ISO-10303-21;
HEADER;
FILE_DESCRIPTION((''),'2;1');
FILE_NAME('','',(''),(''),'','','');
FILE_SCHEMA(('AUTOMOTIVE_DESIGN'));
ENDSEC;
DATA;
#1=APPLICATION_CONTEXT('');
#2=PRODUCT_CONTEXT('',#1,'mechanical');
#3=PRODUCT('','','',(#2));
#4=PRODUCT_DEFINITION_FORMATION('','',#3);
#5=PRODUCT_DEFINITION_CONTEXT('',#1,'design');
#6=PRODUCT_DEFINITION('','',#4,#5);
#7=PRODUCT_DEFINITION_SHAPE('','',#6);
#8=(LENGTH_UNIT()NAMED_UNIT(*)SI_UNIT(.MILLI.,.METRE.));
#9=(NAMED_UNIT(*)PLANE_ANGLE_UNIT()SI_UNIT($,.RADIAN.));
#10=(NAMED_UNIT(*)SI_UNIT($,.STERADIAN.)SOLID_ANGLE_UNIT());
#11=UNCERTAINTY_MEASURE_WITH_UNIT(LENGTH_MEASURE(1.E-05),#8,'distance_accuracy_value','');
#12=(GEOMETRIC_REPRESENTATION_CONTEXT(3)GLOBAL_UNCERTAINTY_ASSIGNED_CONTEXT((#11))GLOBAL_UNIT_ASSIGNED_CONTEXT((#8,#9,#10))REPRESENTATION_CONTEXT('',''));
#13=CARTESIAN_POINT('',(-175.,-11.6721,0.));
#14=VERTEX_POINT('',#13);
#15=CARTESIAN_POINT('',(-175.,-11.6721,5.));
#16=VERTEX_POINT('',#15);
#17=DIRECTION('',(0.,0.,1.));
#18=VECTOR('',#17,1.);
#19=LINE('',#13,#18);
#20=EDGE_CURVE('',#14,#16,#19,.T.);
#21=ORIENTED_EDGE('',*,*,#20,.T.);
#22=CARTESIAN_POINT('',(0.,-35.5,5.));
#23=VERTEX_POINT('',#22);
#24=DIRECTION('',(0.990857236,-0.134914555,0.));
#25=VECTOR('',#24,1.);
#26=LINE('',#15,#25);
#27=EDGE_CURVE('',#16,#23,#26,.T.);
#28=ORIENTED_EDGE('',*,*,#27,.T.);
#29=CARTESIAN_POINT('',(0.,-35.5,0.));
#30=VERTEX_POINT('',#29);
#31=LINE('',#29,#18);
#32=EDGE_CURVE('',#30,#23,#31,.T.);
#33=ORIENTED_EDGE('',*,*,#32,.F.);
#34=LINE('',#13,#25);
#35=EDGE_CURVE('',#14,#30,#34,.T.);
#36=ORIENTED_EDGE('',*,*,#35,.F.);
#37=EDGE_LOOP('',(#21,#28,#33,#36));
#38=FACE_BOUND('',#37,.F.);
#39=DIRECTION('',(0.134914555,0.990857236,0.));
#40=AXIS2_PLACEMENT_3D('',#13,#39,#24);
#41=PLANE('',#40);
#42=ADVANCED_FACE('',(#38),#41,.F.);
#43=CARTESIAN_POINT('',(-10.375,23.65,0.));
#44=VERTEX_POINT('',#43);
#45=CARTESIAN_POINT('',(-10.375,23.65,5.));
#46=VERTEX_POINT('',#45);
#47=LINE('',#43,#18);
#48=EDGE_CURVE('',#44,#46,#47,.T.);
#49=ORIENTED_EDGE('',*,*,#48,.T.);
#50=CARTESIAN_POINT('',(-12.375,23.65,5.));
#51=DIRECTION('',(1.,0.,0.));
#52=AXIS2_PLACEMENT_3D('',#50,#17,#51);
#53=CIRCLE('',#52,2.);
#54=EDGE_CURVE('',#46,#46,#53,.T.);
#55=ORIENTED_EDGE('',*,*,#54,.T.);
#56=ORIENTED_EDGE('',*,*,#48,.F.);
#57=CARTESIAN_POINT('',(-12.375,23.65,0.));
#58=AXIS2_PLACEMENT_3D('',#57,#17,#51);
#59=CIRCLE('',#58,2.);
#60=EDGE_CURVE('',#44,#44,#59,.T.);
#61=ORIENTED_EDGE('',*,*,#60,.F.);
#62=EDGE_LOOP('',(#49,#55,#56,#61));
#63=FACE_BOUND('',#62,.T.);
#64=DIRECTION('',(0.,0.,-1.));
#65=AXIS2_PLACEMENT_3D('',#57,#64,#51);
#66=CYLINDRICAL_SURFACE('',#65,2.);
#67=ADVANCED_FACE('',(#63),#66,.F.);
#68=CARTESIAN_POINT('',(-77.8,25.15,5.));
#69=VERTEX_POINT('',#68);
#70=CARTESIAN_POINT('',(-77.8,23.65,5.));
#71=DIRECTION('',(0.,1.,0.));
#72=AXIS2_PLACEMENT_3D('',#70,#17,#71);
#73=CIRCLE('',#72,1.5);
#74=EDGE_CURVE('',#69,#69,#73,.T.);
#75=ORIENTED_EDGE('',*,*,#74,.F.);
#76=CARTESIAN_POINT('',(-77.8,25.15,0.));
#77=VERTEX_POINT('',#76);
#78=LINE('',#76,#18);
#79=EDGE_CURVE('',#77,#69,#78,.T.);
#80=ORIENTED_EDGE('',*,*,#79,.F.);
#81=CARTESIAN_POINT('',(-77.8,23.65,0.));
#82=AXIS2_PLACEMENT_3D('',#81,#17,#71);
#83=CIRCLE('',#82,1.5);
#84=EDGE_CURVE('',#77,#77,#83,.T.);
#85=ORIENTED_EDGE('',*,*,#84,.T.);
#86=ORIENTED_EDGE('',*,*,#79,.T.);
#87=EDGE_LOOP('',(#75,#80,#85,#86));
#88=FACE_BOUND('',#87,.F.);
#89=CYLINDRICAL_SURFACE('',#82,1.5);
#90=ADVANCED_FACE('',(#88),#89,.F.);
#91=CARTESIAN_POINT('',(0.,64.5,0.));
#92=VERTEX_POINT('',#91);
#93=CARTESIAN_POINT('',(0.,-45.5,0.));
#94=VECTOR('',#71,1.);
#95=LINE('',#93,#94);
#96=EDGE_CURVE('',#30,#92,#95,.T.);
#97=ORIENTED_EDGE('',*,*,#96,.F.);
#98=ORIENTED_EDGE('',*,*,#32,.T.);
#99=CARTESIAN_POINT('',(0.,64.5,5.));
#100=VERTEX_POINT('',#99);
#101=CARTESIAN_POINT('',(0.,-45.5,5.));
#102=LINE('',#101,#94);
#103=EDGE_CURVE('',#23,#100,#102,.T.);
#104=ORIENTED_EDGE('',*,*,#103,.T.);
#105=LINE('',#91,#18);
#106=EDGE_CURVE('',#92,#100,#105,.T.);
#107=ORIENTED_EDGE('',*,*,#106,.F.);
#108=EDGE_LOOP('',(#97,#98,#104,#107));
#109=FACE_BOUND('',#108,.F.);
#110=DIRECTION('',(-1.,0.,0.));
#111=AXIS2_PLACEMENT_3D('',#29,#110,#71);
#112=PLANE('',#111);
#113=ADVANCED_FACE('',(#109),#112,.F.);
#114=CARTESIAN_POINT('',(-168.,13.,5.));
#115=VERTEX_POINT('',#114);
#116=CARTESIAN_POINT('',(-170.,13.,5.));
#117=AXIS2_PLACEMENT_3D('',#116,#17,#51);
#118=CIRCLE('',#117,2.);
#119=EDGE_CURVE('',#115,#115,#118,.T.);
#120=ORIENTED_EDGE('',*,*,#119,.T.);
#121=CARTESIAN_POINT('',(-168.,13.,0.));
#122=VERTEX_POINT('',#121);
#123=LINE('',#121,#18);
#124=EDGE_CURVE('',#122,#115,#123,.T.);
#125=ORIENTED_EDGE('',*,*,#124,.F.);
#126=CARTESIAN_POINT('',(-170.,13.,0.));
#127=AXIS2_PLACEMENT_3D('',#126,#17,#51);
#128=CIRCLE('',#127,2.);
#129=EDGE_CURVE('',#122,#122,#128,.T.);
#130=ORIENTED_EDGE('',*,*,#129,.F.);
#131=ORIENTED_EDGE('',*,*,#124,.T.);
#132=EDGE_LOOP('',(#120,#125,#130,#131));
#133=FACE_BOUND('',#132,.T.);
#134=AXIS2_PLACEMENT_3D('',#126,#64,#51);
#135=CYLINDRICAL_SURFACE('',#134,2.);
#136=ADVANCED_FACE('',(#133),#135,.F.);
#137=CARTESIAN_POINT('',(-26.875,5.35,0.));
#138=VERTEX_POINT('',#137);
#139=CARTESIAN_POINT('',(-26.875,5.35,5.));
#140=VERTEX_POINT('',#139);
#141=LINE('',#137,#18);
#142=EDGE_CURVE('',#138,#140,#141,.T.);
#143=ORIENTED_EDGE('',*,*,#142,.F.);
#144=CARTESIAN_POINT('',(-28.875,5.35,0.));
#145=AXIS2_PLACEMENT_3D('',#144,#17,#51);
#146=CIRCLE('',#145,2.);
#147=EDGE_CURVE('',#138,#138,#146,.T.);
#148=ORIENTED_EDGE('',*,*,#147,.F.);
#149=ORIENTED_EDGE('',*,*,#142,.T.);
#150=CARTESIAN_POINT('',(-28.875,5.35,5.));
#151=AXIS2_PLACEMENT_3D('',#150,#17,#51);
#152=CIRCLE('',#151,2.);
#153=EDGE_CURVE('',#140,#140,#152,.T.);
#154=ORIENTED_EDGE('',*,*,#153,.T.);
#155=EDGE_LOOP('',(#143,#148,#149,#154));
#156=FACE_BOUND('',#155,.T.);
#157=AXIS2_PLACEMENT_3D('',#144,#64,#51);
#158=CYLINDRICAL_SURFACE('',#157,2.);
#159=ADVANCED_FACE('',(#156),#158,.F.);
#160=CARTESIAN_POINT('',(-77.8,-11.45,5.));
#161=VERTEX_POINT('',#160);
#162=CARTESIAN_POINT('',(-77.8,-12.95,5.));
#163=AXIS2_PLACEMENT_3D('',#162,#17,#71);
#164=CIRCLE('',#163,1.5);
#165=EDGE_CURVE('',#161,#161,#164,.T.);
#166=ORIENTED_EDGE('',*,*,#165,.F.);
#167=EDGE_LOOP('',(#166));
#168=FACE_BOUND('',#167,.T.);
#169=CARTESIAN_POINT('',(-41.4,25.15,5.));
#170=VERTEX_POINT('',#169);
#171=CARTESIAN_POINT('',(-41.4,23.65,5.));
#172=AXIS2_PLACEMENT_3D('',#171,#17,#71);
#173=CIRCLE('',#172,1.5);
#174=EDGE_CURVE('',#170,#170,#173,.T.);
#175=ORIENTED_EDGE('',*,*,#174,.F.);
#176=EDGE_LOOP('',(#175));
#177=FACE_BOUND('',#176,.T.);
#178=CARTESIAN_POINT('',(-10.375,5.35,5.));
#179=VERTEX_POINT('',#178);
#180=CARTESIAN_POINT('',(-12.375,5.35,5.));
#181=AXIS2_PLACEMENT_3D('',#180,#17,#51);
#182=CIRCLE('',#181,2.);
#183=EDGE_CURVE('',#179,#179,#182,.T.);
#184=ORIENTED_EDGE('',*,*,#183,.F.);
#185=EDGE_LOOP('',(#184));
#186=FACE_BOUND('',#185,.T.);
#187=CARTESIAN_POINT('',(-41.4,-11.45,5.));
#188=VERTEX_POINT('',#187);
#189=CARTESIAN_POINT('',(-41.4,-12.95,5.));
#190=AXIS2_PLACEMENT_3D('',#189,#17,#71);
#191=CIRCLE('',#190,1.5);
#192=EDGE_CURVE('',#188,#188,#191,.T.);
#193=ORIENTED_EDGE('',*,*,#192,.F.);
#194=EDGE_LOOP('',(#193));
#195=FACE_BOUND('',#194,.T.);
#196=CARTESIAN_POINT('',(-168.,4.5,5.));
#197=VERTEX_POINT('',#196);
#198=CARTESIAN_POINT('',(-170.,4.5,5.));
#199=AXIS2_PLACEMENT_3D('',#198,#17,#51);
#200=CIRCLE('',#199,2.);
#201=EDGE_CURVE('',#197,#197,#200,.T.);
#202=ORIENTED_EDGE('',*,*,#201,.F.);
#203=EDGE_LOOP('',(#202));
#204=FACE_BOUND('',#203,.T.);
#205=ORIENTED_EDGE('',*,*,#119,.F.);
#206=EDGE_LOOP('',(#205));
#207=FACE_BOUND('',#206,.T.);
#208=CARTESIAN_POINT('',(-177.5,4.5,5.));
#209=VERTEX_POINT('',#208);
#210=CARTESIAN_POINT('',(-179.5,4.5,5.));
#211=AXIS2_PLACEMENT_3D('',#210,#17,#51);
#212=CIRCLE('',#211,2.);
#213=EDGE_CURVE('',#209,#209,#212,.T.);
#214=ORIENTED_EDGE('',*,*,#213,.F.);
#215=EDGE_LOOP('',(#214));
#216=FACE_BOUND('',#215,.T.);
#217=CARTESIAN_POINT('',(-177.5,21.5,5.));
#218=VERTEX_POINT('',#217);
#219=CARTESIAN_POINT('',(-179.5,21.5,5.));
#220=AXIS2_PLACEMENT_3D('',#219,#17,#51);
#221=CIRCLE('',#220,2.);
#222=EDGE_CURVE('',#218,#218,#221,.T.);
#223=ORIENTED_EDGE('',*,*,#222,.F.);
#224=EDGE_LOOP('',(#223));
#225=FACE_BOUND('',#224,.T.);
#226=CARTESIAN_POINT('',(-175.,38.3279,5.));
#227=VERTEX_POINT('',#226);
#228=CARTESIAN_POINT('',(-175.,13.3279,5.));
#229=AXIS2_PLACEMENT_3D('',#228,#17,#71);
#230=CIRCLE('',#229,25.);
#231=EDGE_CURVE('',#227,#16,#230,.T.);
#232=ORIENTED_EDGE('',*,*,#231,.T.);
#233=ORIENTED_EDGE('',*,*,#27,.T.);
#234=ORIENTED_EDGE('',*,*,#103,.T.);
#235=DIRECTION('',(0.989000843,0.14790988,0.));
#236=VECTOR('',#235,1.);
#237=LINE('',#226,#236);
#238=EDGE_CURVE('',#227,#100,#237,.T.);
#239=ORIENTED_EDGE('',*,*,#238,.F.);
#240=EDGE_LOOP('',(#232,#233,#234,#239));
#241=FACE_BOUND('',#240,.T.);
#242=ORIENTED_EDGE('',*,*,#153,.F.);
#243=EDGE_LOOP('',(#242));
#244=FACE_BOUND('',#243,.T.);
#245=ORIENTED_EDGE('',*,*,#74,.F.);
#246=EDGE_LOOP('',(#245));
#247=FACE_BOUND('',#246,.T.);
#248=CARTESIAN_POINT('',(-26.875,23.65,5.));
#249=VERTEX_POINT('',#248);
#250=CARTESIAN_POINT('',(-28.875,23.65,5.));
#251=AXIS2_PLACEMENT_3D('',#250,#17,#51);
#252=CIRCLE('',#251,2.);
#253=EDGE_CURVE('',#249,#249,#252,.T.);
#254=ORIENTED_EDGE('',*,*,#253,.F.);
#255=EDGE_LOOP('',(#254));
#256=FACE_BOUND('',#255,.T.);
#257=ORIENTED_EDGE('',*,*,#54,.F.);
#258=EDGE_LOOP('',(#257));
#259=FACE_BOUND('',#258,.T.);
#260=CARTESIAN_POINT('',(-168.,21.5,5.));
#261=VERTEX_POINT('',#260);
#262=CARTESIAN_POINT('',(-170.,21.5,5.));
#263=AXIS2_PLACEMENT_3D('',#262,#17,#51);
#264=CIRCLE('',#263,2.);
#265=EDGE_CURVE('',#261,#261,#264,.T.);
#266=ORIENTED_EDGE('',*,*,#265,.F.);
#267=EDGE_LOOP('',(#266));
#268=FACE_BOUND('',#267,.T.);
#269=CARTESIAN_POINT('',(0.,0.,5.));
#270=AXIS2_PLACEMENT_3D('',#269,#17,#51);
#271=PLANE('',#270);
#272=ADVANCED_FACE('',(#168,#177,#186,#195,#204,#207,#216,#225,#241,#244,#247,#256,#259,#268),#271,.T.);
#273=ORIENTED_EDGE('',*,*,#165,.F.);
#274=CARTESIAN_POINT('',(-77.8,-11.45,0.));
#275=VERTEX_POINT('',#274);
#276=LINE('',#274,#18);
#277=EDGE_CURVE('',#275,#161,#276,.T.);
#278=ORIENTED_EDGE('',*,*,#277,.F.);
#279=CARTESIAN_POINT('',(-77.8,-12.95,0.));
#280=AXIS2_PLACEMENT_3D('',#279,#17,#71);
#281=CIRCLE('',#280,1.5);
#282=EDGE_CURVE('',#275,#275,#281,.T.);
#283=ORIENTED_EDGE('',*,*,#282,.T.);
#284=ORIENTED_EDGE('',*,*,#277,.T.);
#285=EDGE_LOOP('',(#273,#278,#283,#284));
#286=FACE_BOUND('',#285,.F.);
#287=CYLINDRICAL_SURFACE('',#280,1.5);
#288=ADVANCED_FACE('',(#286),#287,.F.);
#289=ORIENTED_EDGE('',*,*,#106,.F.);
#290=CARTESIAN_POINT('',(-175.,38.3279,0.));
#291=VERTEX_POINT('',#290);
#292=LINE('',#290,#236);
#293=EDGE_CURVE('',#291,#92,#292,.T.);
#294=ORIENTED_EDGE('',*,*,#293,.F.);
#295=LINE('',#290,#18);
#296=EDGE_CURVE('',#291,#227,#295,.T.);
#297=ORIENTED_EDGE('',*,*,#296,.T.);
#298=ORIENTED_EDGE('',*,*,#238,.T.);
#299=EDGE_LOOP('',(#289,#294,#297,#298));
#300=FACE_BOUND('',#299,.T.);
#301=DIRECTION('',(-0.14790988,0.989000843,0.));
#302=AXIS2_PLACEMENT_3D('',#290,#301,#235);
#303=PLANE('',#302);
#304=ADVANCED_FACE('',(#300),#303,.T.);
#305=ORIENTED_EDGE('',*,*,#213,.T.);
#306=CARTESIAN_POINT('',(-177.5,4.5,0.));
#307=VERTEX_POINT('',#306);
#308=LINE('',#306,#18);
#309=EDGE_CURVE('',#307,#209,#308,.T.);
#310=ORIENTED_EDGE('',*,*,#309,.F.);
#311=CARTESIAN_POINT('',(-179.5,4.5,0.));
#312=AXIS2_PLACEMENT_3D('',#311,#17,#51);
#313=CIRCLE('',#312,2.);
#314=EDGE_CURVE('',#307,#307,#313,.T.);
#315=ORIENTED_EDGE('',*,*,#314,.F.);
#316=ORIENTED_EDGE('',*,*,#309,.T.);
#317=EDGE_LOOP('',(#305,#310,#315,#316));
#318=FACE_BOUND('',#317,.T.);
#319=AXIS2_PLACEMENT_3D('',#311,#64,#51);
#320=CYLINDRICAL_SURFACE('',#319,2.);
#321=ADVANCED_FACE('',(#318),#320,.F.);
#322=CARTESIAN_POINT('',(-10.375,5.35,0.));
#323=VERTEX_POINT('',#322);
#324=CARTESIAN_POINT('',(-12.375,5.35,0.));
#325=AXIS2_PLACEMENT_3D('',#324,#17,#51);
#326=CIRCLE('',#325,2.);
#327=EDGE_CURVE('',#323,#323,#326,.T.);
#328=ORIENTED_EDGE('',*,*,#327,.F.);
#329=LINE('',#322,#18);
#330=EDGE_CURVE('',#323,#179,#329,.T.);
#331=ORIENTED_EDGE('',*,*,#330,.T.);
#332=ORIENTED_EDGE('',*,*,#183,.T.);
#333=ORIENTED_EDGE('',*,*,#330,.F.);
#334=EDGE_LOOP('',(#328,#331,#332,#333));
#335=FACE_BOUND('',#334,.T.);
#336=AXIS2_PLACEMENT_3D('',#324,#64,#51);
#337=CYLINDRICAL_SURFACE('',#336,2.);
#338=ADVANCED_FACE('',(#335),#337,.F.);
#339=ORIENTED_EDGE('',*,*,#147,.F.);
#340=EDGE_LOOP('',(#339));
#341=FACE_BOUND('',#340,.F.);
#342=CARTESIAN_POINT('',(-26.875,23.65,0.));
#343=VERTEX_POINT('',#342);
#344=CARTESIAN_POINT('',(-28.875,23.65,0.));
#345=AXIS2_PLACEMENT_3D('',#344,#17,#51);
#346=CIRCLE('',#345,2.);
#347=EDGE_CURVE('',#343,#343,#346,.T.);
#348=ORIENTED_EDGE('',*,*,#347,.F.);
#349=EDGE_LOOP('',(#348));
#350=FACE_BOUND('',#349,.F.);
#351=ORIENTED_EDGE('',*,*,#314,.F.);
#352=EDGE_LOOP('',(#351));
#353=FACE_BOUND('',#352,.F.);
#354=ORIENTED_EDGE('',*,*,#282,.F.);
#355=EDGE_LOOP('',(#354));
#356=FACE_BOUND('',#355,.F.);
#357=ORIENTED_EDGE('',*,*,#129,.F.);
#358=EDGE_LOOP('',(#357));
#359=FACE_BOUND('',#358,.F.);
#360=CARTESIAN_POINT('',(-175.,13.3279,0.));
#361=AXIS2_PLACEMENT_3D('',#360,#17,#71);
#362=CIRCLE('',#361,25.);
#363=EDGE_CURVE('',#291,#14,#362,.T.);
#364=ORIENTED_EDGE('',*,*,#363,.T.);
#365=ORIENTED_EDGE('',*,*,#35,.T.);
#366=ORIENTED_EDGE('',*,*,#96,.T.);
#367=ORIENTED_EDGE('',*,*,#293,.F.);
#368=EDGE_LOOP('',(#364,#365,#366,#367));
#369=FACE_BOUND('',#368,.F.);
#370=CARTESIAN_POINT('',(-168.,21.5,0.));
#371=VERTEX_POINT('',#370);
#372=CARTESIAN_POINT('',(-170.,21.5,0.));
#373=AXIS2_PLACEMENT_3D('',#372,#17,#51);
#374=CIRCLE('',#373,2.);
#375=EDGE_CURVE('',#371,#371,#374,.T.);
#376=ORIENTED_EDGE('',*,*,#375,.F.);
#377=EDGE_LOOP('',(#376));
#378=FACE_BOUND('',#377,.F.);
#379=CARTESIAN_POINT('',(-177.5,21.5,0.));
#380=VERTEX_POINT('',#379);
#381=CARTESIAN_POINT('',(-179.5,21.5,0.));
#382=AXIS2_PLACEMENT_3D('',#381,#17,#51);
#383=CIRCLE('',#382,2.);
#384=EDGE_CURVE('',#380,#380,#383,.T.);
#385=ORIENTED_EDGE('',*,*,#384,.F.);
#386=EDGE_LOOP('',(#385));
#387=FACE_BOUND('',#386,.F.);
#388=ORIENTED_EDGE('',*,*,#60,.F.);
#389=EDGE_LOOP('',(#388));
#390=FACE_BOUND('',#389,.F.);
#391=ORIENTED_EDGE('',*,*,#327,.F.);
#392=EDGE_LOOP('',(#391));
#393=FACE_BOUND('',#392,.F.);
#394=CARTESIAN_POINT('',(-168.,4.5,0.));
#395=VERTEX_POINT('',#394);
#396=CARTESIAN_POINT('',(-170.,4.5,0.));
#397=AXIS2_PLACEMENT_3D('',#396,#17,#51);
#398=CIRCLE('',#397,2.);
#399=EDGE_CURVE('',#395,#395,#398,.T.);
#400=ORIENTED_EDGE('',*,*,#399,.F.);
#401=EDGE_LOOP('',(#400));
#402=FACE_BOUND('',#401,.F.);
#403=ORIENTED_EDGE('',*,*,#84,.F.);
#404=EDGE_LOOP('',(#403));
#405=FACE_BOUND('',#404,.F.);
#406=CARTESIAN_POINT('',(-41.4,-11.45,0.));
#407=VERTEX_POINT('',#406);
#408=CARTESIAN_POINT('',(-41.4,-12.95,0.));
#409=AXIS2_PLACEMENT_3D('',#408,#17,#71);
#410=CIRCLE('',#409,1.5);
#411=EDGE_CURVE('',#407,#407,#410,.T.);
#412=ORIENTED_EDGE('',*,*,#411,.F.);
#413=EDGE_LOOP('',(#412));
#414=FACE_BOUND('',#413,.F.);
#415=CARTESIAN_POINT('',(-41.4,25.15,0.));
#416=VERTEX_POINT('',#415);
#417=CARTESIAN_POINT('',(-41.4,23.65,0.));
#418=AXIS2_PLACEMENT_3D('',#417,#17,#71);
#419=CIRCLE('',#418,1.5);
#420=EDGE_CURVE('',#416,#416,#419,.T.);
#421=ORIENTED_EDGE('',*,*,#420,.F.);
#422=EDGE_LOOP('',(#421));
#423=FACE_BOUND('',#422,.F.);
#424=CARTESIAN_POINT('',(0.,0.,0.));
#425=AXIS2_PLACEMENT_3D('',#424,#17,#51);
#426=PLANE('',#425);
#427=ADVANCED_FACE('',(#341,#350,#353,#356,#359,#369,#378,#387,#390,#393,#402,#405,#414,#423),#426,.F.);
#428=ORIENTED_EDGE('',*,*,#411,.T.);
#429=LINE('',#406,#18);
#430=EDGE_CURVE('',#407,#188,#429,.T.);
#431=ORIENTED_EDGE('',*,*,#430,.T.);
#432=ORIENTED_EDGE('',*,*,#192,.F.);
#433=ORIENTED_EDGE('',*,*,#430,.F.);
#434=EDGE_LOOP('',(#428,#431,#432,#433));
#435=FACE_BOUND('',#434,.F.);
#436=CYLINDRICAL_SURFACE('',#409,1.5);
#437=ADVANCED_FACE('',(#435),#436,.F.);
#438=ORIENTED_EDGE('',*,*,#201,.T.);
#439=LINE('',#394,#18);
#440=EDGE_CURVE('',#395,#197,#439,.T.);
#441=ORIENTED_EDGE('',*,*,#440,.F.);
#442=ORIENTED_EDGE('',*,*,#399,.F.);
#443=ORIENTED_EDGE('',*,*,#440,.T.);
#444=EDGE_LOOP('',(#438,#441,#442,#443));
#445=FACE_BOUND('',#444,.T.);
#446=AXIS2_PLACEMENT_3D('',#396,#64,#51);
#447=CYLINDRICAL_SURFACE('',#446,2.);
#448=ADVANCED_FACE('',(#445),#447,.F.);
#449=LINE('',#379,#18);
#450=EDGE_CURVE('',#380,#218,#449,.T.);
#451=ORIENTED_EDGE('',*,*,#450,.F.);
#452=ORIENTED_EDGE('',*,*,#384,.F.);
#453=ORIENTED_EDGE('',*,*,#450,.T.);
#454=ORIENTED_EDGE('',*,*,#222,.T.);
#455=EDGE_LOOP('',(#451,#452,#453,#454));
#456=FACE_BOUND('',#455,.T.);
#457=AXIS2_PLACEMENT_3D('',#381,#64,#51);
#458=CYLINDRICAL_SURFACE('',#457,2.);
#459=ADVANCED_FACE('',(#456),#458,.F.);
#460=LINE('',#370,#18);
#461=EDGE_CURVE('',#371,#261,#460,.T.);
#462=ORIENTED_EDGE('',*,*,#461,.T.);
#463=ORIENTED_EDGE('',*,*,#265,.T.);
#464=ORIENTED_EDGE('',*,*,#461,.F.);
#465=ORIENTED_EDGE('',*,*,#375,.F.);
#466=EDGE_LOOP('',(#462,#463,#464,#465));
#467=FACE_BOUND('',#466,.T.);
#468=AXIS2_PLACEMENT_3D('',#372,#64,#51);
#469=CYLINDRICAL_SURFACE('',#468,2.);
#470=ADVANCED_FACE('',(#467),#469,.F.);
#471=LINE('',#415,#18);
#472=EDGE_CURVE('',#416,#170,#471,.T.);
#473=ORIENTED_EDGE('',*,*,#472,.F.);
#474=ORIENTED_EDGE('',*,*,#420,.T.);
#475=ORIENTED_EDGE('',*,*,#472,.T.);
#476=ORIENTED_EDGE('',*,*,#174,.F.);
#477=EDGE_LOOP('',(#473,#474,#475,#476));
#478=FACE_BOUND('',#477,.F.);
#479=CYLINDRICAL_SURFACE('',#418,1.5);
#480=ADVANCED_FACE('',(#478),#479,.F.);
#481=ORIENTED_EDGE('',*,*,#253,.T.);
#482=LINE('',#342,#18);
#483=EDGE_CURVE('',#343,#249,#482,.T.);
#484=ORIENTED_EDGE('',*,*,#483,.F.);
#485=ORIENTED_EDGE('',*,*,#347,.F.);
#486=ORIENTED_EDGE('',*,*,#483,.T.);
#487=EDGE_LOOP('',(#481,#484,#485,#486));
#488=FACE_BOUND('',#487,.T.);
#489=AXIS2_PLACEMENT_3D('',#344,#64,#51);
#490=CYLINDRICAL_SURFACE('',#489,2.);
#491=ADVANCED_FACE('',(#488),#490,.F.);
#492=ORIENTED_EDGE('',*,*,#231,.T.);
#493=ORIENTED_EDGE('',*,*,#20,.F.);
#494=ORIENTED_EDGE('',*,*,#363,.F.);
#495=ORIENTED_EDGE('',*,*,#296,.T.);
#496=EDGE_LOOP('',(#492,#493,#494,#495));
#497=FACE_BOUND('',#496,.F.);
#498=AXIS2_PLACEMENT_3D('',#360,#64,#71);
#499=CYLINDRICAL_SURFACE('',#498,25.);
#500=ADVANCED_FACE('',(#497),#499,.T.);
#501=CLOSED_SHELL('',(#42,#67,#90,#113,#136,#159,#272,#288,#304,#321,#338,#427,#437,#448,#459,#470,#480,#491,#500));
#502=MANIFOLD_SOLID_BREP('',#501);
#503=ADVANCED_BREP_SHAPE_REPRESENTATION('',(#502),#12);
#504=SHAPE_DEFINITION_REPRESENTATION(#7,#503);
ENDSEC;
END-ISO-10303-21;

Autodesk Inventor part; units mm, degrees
ref_plane "YZ Plane" through (0, 0, 0) normal (1, 0, 0) x (0, 1, 0)
ref_plane "XZ Plane" through (0, 0, 0) normal (0, 1, 0) x (-1, 0, 0)
ref_plane "XY Plane" through (0, 0, 0) normal (0, 0, 1) x (1, 0, 0)
sketch "Sketch1" plane through (0, 0, 0) normal (0, 0, 1) x (1, 0, 0)
  line L0 (0, -45.5) -> (0, 74.5) projected
  line L1 (0, -35.5) -> (0, 64.5)
  arc A0 (-175, 38.3279) -> (-175, -11.6721) centre (-175, 13.3279) ccw
  line L2 (-175, -11.6721) -> (0, -35.5)
  line L3 (-175, 38.3279) -> (0, 64.5)
  circle A1 centre (-179.5, 4.5) radius 2 projected
  circle A2 centre (-179.5, 21.5) radius 2 projected
  circle A3 centre (-170, 21.5) radius 2 projected
  circle A4 centre (-170, 4.5) radius 2 projected
  circle A5 centre (-170, 13) radius 2 projected
  circle A6 centre (-28.875, 23.65) radius 2 projected
  circle A7 centre (-28.875, 5.35) radius 2 projected
  circle A8 centre (-12.375, 5.35) radius 2 projected
  circle A9 centre (-12.375, 23.65) radius 2 projected
  point P0 (-12.375, 14.5)
  point P1 (0, 29)
  dimension "d0" = 100
  dimension "d1" = 50
  dimension "d2" = 50
  dimension "d3" = 175
extrude "Extrusion1" add sketch "Sketch1" along normal blind 5
sketch "Sketch2" plane through (0, 0, 0) normal (0, 0, -1) x (-1, 0, 0)
  circle A0 centre (28.875, 23.65) radius 2 projected
  line L0 (0, 74.5) -> (0, -45.5)
  line L1 (38, -15.9446) -> (38, 27.4554)
  circle A1 centre (41.4, 23.65) radius 1.5
  circle A2 centre (41.4, -12.95) radius 1.5
  line L2 (59.6, 45.3727) -> (59.6, -35.5339) construction
  circle A3 centre (77.8, 23.65) radius 1.5
  circle A4 centre (77.8, -12.95) radius 1.5
  point P0 (0, 0)
  dimension "d7" = 3.4
  dimension "d8" = 3
  dimension "d9" = 0
  dimension "d10" = 3
  dimension "d11" = 36.6
  dimension "d12" = 21.6
hole "Hole1" at (-41.4, -12.95, 0) at (-41.4, 23.65, 0) at (-77.8, 23.65, 0) at (-77.8, -12.95, 0) direction (0, 0, 1) diameter 3 end through all
equation "\"d1\" = 0.5 * d0"
properties part number "BaseParal" material "Acrylic"
